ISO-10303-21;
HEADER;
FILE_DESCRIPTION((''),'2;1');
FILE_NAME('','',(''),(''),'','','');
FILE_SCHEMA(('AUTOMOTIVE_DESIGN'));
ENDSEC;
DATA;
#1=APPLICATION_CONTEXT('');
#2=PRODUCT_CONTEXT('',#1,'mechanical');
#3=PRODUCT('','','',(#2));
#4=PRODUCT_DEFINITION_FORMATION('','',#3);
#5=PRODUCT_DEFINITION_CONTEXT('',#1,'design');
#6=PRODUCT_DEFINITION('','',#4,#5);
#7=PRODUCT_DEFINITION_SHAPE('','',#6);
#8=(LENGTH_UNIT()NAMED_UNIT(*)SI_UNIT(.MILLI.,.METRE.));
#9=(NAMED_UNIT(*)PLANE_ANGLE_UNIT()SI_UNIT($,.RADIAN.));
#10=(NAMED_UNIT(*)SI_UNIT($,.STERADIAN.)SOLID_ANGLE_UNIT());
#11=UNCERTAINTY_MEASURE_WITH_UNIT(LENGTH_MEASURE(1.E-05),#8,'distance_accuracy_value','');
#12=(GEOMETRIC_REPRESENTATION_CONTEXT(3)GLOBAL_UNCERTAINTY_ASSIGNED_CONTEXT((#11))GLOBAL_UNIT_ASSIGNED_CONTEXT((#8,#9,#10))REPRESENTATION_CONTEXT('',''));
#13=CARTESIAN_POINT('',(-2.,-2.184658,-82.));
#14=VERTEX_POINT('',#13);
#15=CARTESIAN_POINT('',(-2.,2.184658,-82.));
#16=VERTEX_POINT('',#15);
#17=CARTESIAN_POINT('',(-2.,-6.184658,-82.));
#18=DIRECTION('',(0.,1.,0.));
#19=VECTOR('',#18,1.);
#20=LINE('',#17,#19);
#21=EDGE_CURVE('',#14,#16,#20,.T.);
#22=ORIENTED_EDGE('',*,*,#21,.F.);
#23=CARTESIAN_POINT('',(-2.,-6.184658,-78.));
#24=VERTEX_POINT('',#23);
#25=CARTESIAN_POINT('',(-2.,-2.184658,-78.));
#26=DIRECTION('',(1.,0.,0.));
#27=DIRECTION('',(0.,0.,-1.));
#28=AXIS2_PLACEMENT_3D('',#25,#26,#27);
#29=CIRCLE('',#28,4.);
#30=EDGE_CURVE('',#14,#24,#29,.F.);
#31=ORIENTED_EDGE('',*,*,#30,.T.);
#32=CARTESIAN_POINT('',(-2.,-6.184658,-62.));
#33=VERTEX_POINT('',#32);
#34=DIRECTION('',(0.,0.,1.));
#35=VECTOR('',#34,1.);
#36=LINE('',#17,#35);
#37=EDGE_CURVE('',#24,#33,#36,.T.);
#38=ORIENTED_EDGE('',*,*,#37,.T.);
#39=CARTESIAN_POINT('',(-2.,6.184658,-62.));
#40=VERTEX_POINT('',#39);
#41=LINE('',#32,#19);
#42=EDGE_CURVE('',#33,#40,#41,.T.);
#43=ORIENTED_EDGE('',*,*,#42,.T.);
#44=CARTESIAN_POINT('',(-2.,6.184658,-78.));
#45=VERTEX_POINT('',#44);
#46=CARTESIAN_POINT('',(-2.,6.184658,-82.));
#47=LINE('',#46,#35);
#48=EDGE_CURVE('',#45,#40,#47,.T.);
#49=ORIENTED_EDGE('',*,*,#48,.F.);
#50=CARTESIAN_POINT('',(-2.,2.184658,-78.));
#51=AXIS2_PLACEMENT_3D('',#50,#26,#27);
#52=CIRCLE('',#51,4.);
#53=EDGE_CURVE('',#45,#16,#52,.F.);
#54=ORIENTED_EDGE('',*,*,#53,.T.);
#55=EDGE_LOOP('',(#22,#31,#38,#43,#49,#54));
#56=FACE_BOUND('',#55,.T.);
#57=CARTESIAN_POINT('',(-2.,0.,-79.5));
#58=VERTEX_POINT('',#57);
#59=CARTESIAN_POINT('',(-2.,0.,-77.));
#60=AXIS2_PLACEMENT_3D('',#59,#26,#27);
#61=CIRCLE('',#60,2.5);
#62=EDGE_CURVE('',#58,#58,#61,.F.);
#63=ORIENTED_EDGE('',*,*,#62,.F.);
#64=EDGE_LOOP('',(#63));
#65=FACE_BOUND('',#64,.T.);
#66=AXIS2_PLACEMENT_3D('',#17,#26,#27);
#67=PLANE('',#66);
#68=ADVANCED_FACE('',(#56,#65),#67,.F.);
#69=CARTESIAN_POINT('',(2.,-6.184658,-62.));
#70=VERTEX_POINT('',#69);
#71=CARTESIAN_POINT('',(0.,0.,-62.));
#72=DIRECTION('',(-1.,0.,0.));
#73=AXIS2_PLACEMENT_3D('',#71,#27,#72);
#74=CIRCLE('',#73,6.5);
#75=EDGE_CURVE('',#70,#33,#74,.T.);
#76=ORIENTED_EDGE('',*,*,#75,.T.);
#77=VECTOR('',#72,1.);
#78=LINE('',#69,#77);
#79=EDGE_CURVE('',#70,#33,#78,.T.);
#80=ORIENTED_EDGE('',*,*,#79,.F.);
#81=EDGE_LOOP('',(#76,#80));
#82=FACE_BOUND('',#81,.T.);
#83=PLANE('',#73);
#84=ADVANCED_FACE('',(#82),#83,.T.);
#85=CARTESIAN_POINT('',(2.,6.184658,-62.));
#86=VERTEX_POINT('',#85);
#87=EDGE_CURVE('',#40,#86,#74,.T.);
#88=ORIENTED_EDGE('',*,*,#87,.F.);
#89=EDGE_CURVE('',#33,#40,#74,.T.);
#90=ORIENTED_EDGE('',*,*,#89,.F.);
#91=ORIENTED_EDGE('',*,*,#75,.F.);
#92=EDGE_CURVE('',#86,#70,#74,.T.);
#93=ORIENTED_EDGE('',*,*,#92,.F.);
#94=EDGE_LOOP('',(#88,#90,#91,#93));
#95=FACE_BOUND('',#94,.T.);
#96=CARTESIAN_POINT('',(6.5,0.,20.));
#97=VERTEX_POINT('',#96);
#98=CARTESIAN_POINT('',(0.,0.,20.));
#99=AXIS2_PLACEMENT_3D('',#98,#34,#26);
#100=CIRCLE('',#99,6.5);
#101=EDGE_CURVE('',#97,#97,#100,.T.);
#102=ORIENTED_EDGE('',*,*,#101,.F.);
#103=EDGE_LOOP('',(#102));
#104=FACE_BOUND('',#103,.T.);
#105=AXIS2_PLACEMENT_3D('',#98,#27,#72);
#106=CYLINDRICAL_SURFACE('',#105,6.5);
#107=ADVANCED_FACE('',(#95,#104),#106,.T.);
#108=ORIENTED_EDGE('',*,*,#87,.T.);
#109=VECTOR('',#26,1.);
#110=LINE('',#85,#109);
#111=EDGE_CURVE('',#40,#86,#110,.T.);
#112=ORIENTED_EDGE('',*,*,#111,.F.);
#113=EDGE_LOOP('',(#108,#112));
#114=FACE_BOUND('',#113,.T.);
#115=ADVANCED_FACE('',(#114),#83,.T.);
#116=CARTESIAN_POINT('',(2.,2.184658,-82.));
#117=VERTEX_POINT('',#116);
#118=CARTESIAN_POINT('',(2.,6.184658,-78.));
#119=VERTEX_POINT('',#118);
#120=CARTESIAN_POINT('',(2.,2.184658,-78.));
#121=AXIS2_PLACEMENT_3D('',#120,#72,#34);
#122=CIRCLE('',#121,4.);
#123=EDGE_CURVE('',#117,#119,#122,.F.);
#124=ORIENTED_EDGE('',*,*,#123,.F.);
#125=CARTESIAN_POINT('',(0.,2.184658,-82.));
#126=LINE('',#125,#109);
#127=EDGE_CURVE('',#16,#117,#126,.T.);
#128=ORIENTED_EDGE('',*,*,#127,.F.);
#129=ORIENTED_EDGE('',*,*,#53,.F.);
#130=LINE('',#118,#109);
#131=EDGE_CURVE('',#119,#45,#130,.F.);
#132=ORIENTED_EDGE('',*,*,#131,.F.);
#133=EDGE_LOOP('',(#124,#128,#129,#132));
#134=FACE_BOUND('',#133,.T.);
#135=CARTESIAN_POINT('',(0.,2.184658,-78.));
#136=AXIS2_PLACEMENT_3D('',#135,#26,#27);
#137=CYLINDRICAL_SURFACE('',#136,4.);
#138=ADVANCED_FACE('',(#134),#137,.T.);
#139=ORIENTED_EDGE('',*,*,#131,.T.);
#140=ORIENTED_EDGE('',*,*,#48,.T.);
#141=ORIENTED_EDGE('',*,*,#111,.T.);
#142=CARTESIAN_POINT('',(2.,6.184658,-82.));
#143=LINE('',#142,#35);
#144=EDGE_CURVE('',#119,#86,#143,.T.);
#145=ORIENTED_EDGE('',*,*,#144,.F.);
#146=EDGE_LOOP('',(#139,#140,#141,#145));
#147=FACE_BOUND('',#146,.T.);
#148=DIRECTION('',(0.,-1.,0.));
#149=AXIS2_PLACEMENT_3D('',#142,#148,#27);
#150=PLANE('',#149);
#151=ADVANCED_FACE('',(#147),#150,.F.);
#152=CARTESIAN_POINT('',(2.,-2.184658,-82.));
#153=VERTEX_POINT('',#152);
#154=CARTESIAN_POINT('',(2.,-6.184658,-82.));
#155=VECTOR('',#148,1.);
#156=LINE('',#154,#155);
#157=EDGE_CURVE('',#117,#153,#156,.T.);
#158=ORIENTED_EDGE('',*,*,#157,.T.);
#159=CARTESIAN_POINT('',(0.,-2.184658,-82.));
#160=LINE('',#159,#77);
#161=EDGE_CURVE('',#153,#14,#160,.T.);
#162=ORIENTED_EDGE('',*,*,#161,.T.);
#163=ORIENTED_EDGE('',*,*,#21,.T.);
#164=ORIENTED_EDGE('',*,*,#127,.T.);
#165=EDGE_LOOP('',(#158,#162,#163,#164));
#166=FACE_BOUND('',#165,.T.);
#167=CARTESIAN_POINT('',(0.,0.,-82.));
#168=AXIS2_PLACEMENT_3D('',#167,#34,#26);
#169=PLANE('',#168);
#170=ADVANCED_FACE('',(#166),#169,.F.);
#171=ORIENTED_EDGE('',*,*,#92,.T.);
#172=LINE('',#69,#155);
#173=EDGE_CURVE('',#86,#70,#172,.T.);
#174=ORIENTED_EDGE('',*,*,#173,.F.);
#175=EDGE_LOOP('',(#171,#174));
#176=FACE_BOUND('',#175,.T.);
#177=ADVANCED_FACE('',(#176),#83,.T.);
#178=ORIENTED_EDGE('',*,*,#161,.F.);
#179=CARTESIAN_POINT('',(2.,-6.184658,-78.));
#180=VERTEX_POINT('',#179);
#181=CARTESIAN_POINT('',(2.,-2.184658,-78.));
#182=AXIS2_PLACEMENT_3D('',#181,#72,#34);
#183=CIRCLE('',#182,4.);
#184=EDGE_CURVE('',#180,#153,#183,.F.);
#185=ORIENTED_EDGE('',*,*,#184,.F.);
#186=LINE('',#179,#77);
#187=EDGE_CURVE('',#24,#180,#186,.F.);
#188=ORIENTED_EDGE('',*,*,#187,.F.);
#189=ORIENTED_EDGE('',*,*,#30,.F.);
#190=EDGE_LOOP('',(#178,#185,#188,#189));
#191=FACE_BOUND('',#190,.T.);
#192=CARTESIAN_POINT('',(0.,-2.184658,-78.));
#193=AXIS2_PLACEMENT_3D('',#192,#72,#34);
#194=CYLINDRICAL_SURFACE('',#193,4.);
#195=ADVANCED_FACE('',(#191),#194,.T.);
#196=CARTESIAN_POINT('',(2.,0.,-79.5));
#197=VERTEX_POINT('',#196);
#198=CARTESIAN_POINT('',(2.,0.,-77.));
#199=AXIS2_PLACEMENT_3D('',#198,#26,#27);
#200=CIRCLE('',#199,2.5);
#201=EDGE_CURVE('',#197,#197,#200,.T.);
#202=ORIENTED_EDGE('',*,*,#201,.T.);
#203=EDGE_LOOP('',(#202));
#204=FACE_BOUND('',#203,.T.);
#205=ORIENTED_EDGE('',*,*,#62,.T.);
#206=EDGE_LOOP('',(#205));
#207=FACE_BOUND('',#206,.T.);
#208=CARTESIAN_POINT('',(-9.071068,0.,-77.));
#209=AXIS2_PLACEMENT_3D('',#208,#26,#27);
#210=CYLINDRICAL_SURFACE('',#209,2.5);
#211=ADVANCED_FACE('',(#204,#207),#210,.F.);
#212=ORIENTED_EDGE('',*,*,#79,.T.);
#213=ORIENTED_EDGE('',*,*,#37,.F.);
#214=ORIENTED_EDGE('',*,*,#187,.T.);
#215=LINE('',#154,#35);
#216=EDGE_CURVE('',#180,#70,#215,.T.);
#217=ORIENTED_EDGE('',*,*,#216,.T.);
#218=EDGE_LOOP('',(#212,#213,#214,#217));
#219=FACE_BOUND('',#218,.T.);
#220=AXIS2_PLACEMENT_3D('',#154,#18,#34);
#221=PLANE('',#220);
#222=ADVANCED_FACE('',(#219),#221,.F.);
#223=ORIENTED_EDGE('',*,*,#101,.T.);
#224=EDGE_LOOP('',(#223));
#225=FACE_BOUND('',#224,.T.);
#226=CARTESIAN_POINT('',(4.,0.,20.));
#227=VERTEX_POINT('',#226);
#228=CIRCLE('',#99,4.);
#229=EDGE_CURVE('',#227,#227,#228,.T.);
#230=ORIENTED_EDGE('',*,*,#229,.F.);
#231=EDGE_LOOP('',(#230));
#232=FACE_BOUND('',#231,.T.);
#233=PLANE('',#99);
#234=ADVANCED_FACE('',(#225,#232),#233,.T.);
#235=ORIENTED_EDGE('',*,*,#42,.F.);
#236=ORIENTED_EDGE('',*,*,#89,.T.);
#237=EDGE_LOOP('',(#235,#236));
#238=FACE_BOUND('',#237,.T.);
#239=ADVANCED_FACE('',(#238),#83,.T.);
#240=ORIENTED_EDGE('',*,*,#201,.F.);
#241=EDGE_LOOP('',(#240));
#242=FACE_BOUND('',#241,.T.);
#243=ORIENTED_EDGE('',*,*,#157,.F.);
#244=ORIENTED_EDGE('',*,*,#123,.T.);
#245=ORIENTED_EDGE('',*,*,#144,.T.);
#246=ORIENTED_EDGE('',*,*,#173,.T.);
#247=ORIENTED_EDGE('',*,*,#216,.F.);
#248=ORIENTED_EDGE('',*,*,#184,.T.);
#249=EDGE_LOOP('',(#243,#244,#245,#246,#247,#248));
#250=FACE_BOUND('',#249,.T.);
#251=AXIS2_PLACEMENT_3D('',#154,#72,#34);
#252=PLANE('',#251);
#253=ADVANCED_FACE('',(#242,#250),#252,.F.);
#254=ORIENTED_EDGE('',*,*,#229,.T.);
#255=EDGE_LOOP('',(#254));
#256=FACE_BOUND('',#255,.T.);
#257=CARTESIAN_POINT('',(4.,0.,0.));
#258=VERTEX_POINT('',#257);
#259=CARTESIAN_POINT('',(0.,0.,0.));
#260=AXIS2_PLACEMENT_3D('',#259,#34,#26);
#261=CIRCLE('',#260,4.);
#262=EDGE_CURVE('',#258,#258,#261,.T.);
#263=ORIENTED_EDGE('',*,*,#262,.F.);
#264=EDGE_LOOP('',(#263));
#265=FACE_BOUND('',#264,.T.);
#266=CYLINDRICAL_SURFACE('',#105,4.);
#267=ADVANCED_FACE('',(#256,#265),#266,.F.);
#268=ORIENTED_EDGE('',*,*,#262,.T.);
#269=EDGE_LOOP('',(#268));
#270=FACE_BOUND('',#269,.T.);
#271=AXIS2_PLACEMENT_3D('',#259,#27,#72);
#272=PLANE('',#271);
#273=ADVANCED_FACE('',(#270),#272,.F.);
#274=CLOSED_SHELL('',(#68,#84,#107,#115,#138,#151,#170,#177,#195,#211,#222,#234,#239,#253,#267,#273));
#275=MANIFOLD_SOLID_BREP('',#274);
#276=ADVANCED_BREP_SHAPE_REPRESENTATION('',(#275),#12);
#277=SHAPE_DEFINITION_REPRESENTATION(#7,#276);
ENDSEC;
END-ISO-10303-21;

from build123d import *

# Parameters (mm, degrees)
SKETCH1_R           = 6.5
SKETCH1_R_2         = 4
BOSS_EXTRUDE1_DEPTH = 20
BOSS_EXTRUDE2_START = 62
SKETCH2_R           = 6.5
BOSS_EXTRUDE2_DEPTH = 62
SKETCH3_W           = 4
SKETCH3_H           = 12.369316876
BOSS_EXTRUDE3_DEPTH = 20
FILLET1_R           = 4
SKETCH4_R           = 2.5
CUT_EXTRUDE1_DEPTH  = 4


with BuildPart() as part:
    # Sketch1 → Boss-Extrude1 (new body)
    with BuildSketch(Plane.XY):
        Circle(SKETCH1_R)
        Circle(SKETCH1_R_2, mode=Mode.SUBTRACT)
    extrude(amount=BOSS_EXTRUDE1_DEPTH)

    # Sketch2 → Boss-Extrude2 (add)
    with BuildSketch(Plane(origin=(0, 0, 0), x_dir=(-1, 0, 0), z_dir=(0, 0, -1)).offset(BOSS_EXTRUDE2_START)):
        Circle(SKETCH2_R)
    extrude(amount=-BOSS_EXTRUDE2_DEPTH)

    # Sketch3 → Boss-Extrude3 (add)
    with BuildSketch(Plane(origin=(0, 0, -62), x_dir=(-1, 0, 0), z_dir=(0, 0, -1))):
        Rectangle(SKETCH3_W, SKETCH3_H)
    extrude(amount=BOSS_EXTRUDE3_DEPTH)

    # Fillet1
    fillet1_edges = [part.edges().sort_by_distance(p)[0] for p in [
        (0, 6.184658438, -82),
        (0, -6.184658438, -82),
    ]]
    fillet(fillet1_edges, radius=FILLET1_R)

    # Sketch4 → Cut-Extrude1 (cut)
    with BuildSketch(Plane(origin=(2, 0, 0), x_dir=(0, 0, -1), z_dir=(1, 0, 0))):
        with Locations((77, 0)):
            Circle(SKETCH4_R)
    extrude(amount=-CUT_EXTRUDE1_DEPTH, mode=Mode.SUBTRACT)


solid = part.part
